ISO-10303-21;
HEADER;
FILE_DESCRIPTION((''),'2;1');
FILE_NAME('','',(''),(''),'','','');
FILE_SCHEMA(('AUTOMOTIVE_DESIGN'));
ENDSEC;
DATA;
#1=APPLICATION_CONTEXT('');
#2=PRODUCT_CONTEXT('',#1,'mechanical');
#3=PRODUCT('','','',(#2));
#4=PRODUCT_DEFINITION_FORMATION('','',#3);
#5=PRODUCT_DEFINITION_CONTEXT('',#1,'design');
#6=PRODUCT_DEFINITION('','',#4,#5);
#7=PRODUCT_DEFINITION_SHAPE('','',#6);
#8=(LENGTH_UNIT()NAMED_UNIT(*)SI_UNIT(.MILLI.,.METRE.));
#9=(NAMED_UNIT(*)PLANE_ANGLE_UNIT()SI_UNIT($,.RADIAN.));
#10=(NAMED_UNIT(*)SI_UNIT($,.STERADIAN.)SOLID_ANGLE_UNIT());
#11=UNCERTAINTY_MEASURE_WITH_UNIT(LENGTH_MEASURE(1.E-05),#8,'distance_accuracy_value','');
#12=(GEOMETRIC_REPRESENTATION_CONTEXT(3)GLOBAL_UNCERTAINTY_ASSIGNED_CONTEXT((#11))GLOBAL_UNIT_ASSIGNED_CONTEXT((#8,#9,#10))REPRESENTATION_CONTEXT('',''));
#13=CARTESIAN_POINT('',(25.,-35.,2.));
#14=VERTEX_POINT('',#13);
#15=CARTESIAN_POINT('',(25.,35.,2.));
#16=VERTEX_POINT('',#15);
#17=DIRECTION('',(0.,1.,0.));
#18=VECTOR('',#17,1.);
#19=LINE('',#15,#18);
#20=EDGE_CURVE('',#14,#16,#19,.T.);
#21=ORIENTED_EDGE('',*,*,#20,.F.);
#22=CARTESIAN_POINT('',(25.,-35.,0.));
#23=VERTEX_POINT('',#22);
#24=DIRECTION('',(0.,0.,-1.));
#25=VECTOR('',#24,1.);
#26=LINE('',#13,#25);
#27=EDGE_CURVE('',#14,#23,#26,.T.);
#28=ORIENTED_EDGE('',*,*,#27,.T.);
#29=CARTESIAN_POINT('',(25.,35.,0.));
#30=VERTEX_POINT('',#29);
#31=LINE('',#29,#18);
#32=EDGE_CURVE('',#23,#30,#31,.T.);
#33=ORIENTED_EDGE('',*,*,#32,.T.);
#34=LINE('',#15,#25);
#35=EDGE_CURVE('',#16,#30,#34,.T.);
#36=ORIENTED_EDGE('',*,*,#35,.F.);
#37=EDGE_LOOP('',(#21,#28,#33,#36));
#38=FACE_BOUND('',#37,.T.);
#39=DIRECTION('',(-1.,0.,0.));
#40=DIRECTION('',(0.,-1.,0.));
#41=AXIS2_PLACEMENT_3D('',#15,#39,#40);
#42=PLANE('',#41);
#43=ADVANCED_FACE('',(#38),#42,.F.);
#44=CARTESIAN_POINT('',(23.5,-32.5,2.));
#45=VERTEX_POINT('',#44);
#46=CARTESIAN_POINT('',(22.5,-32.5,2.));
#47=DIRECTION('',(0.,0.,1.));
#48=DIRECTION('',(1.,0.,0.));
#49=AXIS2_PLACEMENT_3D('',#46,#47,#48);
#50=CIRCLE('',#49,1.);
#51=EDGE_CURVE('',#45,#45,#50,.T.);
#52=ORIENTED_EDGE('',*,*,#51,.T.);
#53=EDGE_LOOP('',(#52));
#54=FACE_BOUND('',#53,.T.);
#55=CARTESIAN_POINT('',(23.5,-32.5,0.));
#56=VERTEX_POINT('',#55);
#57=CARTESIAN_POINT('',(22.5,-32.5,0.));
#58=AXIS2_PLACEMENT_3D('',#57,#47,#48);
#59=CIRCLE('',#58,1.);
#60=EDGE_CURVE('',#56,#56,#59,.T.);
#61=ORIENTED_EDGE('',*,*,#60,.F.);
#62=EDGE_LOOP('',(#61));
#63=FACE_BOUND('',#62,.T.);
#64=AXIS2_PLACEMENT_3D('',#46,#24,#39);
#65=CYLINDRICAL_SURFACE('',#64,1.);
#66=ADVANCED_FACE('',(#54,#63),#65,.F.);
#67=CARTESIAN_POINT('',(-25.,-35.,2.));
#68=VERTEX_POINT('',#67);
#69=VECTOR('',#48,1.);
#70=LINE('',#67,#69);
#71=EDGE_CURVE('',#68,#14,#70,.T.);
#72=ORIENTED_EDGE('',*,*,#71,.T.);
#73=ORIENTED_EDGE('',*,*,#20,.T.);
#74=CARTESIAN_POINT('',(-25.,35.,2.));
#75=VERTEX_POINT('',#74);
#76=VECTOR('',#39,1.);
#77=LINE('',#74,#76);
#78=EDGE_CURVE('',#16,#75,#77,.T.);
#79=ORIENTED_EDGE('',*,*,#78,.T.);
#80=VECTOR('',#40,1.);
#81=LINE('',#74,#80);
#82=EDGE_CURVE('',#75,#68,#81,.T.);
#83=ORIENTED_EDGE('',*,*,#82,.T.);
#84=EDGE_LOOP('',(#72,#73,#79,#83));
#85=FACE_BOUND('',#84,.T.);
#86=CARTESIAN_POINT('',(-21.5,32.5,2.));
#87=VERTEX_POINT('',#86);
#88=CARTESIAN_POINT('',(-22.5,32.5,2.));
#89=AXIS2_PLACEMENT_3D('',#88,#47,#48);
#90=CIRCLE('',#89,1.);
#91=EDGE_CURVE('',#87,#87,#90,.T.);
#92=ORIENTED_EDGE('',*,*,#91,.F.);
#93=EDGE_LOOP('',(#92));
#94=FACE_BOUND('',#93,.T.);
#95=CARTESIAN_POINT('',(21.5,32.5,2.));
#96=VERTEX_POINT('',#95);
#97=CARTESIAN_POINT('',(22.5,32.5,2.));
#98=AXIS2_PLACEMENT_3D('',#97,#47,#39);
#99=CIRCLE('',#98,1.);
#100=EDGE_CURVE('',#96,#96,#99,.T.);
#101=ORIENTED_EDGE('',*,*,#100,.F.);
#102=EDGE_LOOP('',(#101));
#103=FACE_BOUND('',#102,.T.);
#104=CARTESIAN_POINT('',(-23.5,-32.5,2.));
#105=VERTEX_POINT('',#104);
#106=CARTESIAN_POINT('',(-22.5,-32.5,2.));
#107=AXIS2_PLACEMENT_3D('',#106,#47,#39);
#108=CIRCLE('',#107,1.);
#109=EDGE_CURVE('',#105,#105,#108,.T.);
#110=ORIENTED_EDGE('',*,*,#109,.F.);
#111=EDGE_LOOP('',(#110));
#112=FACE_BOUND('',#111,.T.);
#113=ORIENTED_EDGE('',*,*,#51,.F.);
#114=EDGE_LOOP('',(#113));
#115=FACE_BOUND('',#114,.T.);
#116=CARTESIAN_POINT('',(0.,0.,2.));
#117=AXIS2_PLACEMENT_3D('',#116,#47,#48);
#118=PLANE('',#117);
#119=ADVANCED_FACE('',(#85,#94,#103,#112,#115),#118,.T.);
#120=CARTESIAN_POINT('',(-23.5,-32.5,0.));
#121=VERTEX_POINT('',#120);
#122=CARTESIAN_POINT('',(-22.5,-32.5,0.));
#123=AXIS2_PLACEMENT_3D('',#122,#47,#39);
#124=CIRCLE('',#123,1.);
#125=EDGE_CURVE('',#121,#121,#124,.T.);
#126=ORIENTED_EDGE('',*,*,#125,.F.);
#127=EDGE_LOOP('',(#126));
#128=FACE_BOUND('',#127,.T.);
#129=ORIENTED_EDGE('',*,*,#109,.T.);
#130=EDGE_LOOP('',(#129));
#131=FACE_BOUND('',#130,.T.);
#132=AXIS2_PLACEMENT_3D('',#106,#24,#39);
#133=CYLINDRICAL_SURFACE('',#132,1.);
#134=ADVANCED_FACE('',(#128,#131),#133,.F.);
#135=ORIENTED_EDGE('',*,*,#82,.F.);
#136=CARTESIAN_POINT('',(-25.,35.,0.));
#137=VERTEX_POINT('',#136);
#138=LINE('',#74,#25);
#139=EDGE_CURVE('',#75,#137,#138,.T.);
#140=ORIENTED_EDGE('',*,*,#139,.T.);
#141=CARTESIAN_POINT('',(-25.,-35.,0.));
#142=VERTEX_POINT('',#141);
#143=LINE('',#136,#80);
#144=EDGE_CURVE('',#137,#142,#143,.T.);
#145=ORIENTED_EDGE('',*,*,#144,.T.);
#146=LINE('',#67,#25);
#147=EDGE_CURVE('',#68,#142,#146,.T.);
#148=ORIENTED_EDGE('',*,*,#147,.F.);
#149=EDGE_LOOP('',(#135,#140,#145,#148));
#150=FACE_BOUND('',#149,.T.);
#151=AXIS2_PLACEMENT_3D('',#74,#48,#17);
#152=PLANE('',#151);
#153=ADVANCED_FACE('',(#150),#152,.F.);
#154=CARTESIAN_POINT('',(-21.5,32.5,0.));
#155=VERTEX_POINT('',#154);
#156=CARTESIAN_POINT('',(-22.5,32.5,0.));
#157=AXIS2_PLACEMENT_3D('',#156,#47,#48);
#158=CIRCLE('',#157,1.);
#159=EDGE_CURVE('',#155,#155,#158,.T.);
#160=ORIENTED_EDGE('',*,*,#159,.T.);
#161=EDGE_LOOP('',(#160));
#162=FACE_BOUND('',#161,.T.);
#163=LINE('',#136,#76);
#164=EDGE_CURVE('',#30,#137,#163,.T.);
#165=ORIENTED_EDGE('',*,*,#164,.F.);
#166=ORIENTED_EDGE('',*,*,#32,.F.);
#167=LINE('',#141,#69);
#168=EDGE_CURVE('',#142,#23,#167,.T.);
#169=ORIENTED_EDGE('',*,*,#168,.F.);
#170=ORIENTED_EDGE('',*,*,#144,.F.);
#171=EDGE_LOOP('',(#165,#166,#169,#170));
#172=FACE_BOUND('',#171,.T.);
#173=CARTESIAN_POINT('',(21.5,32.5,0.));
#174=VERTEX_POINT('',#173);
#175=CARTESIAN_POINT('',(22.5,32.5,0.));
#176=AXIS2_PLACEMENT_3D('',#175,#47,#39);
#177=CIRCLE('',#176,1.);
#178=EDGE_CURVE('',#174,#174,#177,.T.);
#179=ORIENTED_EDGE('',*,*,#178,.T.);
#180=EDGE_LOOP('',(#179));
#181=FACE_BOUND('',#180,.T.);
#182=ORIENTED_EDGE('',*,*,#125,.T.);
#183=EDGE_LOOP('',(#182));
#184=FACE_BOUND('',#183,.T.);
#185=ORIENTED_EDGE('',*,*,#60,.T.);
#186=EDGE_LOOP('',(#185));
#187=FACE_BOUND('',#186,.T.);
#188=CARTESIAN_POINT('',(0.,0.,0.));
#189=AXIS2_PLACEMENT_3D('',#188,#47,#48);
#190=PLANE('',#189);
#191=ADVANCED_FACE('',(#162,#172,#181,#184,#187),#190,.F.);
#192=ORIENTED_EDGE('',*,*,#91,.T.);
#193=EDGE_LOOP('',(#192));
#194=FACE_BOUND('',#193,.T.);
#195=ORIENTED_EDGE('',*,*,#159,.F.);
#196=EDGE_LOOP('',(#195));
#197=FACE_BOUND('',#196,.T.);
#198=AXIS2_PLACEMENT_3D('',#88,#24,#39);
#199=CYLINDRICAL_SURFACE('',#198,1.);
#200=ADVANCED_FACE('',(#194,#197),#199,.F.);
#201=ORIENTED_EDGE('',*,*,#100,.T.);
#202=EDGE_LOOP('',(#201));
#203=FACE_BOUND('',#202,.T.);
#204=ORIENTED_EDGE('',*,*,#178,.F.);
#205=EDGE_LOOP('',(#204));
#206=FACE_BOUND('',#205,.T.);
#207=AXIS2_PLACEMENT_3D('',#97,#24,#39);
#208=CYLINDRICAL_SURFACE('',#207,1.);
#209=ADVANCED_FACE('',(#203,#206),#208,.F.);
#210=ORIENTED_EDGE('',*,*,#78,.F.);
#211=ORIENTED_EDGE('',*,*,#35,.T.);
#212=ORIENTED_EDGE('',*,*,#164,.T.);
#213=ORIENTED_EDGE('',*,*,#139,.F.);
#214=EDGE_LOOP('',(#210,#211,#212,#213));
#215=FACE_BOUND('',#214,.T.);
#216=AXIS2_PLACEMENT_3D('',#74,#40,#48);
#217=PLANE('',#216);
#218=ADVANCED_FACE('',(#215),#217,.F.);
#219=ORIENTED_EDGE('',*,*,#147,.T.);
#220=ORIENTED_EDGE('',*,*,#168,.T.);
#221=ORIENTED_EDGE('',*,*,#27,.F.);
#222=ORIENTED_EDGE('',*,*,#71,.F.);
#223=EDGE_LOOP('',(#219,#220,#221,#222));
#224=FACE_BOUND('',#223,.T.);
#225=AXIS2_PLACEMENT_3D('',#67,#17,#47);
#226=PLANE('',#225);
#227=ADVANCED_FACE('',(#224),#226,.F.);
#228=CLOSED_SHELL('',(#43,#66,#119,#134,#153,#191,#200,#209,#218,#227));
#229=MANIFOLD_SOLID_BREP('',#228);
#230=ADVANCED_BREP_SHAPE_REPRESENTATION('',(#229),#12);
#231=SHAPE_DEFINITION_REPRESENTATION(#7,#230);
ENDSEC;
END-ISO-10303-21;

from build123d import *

# Parameters (mm, degrees)
SKETCH_1_W      = 50
SKETCH_1_H      = 70
SKETCH_1_R      = 1
EXTRUDE_1_DEPTH = 2


with BuildPart() as part:
    # 草图1 → 凸台-拉伸1 (new body)
    with BuildSketch(Plane.XY):
        Rectangle(SKETCH_1_W, SKETCH_1_H)
        with Locations((-22.5, 32.5)):
            Circle(SKETCH_1_R, mode=Mode.SUBTRACT)
        with Locations((22.5, 32.5)):
            Circle(SKETCH_1_R, mode=Mode.SUBTRACT)
        with Locations((22.5, -32.5)):
            Circle(SKETCH_1_R, mode=Mode.SUBTRACT)
        with Locations((-22.5, -32.5)):
            Circle(SKETCH_1_R, mode=Mode.SUBTRACT)
    extrude(amount=EXTRUDE_1_DEPTH)


solid = part.part
